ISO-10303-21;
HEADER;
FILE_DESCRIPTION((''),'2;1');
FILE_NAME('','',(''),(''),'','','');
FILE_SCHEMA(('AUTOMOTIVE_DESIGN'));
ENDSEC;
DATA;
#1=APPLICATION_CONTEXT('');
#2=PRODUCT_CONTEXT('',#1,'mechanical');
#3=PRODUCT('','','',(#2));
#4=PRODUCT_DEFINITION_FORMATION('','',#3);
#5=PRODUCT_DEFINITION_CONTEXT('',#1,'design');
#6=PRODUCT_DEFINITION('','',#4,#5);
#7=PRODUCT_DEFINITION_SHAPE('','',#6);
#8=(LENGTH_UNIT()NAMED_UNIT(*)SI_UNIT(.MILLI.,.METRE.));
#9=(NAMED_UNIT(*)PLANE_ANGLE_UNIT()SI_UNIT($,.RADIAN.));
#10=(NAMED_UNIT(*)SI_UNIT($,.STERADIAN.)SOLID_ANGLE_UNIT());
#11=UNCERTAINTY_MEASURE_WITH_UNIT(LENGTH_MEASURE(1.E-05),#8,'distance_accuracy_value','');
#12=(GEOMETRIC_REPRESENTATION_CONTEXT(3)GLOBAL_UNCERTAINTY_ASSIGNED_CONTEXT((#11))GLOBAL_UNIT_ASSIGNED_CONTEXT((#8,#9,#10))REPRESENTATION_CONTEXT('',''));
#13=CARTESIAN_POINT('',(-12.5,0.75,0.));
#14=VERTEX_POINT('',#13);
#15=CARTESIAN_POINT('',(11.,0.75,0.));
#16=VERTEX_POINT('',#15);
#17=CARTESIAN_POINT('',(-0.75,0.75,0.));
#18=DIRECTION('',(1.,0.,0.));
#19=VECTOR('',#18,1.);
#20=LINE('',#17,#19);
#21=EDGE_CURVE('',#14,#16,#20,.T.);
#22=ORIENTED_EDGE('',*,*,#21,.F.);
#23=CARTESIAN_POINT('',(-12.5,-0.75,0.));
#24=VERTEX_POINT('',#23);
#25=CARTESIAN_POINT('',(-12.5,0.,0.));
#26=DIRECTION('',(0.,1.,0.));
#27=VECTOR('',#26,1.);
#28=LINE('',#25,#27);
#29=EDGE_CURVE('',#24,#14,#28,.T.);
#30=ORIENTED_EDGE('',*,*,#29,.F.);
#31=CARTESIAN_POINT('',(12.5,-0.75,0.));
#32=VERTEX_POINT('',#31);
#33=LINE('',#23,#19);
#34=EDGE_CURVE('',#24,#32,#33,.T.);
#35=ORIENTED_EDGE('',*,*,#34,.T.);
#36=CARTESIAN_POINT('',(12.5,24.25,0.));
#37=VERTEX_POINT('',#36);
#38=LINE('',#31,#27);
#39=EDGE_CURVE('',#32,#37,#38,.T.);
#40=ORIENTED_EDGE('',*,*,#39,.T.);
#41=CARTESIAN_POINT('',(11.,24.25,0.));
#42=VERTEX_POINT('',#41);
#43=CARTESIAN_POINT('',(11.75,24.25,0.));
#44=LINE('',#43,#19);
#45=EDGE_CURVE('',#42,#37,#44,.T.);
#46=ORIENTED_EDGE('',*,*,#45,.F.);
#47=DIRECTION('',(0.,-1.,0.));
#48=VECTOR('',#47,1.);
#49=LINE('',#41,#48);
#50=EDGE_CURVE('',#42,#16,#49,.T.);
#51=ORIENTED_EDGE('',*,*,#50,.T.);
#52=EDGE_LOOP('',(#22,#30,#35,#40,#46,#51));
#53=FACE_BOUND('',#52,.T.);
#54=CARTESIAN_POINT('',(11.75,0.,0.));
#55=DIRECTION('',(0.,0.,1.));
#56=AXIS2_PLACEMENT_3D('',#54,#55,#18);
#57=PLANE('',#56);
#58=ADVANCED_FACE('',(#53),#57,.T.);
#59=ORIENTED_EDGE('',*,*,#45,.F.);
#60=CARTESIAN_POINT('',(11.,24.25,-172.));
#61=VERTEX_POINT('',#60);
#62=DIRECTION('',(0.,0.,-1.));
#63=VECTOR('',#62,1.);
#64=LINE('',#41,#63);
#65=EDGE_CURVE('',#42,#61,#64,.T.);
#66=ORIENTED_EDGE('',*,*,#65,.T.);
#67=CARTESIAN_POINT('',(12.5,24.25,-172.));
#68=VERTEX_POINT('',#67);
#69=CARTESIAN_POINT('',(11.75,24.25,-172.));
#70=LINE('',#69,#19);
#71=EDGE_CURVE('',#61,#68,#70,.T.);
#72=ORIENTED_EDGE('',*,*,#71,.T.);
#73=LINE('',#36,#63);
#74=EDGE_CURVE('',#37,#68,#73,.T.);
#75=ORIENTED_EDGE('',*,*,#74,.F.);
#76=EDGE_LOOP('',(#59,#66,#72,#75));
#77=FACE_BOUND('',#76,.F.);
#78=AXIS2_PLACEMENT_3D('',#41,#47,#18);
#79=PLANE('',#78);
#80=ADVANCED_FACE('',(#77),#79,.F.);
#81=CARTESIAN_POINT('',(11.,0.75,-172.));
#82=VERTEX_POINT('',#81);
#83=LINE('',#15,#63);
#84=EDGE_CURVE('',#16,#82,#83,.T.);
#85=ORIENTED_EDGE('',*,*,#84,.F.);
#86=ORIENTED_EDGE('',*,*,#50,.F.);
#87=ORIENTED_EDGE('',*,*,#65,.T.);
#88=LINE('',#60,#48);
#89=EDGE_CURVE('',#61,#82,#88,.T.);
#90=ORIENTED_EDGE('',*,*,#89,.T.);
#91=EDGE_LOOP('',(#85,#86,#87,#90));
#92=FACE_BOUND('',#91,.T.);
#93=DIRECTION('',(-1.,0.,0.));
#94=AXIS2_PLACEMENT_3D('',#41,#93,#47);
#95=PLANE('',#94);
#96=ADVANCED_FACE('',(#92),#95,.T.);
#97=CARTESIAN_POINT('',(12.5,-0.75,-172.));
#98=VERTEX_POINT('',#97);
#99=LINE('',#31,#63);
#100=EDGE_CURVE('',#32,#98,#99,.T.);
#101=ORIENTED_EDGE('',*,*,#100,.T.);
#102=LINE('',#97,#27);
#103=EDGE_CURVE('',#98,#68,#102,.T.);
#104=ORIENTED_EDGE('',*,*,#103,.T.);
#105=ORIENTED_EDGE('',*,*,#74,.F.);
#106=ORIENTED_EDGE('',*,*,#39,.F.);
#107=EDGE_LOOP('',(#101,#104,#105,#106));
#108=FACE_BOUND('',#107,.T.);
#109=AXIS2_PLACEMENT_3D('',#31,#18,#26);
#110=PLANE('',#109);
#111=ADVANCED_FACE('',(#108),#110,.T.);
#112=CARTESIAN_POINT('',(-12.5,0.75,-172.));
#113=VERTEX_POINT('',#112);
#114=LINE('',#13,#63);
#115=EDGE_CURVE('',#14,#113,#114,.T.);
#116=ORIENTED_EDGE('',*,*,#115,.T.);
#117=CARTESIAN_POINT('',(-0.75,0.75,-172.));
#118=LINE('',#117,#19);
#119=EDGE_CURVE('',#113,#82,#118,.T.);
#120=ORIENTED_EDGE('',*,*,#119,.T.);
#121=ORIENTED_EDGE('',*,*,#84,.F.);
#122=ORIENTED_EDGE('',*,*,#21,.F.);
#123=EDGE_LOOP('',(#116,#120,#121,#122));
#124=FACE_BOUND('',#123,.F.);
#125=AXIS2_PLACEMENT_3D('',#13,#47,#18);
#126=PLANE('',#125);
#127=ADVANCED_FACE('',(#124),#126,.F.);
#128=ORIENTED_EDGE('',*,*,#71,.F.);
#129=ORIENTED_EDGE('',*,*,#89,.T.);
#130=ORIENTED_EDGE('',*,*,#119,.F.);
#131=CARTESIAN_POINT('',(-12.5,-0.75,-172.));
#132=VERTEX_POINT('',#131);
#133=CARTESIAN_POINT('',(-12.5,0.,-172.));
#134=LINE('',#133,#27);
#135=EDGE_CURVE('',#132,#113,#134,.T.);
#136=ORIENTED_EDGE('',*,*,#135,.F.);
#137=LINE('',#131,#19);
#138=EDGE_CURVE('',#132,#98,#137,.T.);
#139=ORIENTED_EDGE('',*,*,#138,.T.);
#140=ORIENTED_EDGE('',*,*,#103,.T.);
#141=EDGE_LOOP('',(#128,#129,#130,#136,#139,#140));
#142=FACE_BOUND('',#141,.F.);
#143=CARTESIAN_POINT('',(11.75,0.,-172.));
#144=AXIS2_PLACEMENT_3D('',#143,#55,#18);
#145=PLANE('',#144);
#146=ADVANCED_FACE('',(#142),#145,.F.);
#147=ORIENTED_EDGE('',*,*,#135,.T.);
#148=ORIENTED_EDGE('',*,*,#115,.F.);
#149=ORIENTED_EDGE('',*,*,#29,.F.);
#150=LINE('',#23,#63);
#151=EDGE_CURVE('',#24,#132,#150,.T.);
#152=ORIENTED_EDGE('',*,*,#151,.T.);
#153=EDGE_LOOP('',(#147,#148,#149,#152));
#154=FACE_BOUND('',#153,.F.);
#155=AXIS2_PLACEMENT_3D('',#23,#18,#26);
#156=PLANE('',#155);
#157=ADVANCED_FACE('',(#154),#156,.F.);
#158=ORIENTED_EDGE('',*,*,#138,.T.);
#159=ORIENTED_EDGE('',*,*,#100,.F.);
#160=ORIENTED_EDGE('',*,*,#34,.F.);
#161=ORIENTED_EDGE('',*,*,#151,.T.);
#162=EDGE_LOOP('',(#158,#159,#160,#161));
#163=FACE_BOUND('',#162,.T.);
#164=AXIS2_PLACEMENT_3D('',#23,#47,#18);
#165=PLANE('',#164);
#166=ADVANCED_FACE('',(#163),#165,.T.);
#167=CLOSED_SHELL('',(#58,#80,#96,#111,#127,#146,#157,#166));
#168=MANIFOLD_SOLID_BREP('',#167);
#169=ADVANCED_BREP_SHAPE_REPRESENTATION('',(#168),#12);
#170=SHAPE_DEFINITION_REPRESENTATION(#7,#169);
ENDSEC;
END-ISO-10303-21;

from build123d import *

# Parameters (mm, degrees)
F0_W     = 1.5
F0_H     = 1.5
F0_H_2   = 23.5
F0_W_2   = 23.5
F1_DEPTH = 172


with BuildPart() as f1:
    # F0 (on Top) → F1 (new body)
    with BuildSketch(Plane.XY):
        with Locations((11.75, 0)):
            Rectangle(F0_W, F0_H)
        with Locations((11.75, 12.5)):
            Rectangle(F0_W, F0_H_2)
        with Locations((-0.75, 0)):
            Rectangle(F0_W_2, F0_H)
    extrude(amount=-F1_DEPTH)


solid = f1.part
